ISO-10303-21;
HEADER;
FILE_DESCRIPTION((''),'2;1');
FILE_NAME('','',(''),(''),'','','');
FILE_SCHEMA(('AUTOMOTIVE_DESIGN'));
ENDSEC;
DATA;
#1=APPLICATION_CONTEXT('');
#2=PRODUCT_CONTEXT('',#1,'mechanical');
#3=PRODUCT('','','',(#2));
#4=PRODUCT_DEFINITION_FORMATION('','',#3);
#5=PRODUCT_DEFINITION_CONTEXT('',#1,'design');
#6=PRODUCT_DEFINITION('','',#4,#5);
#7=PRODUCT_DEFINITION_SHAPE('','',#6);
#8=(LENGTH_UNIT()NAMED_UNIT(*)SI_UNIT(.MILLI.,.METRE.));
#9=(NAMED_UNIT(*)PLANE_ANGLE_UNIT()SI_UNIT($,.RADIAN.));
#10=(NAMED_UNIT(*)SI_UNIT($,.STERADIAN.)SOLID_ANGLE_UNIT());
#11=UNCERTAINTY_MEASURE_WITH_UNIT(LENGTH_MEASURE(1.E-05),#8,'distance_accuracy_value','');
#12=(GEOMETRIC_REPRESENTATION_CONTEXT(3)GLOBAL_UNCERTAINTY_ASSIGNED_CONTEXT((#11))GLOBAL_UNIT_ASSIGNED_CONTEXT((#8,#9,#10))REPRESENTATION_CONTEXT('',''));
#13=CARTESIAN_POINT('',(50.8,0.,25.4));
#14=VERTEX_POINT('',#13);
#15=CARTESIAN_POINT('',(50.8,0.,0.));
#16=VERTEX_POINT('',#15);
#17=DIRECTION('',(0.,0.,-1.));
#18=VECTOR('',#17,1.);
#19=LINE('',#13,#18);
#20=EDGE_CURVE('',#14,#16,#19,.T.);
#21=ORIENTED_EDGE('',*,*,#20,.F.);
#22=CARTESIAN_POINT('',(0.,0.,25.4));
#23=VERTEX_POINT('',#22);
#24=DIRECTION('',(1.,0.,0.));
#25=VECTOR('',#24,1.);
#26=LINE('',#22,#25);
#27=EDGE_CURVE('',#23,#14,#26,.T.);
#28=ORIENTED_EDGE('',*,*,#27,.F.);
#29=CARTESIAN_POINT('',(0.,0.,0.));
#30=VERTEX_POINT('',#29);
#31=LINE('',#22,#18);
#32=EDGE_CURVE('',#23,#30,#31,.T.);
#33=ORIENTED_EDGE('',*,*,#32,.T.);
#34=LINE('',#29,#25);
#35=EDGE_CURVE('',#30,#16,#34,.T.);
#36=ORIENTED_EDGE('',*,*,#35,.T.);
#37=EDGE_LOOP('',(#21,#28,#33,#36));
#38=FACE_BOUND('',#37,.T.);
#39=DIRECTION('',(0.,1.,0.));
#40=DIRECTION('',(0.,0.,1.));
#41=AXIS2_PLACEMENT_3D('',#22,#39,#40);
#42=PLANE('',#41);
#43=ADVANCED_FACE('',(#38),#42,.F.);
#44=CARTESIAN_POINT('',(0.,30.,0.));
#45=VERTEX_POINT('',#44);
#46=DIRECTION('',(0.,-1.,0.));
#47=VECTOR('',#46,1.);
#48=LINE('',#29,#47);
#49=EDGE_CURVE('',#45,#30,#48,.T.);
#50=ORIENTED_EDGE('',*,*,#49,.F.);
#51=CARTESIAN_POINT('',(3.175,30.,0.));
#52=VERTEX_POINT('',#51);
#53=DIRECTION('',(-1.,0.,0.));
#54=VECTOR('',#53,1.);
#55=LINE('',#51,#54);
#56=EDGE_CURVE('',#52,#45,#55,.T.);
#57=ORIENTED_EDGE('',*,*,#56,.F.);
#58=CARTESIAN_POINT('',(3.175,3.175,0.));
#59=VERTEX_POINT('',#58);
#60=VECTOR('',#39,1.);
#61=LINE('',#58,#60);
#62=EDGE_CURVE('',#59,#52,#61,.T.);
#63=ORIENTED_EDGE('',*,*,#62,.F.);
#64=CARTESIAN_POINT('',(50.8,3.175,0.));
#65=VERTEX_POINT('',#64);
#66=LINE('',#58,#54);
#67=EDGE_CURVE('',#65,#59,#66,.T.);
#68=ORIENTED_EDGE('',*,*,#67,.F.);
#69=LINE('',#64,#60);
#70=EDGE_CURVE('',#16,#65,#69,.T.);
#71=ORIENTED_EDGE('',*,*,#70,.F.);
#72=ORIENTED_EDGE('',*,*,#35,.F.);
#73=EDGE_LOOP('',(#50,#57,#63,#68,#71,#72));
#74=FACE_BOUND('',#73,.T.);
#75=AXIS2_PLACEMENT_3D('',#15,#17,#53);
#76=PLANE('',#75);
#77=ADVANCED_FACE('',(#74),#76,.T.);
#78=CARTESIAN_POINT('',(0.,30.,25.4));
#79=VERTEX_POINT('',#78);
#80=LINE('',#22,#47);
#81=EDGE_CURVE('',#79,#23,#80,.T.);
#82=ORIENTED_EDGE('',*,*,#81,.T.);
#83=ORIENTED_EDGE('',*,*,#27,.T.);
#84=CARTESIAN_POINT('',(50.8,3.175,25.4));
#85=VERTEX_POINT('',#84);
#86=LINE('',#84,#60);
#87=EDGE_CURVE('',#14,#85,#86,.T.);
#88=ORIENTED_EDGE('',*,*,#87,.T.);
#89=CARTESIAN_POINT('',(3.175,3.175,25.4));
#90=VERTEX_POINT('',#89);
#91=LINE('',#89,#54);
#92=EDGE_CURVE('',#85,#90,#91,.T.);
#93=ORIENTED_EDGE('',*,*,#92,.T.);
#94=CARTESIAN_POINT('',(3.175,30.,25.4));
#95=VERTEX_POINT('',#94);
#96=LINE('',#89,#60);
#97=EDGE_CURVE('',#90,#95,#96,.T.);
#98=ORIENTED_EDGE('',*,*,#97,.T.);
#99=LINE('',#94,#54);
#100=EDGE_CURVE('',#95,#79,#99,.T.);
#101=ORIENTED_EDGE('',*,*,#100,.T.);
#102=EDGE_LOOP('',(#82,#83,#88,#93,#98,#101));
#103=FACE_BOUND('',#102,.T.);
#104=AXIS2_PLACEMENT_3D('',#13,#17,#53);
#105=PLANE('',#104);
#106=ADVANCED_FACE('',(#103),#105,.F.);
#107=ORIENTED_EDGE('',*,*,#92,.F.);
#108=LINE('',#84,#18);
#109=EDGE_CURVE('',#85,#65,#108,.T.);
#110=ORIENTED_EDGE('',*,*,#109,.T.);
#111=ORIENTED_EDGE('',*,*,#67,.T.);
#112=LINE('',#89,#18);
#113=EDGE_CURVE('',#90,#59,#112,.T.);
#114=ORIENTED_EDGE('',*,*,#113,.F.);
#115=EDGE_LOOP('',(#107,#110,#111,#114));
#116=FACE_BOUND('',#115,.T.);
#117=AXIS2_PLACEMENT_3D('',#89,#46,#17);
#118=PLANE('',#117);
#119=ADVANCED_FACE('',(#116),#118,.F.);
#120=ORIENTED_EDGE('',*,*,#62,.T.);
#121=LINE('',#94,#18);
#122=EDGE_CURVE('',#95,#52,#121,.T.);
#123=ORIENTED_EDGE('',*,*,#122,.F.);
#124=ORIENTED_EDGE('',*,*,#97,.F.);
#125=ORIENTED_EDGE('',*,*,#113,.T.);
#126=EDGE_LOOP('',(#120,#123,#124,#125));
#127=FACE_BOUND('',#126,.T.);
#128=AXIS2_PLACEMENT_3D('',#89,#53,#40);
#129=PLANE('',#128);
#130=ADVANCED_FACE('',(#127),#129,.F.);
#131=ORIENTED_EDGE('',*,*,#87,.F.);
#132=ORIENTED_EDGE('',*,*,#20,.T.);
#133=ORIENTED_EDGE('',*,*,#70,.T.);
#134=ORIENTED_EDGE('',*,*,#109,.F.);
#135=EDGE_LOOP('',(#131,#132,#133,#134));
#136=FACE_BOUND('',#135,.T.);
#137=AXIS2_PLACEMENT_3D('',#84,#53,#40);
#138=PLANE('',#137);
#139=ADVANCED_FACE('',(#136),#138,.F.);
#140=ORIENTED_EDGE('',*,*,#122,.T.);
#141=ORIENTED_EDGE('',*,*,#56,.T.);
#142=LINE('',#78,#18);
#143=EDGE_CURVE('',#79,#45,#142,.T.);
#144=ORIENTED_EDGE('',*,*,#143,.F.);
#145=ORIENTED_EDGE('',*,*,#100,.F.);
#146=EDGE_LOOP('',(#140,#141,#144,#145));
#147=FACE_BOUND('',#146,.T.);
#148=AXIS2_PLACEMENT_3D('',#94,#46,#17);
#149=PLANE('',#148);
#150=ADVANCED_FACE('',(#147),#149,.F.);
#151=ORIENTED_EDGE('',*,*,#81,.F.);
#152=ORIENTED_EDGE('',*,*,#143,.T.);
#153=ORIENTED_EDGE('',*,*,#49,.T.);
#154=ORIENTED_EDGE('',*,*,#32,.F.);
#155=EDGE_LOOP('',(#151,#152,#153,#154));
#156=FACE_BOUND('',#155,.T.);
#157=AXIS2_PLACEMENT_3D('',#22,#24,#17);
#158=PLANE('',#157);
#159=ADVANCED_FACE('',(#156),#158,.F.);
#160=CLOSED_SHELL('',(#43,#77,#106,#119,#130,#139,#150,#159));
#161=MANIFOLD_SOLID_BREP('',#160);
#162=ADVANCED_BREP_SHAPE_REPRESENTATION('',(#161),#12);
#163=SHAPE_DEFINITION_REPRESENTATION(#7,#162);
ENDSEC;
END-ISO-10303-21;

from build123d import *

# Parameters (mm, degrees)
BOSS_EXTRUDE1_DEPTH = 25.4


with BuildPart() as part:
    # Sketch1 → Boss-Extrude1 (new body)
    with BuildSketch(Plane.XY):
        Polygon((0, 0), (0, 30), (3.175, 30), (3.175, 3.175), (50.8, 3.175), (50.8, 0), align=None)
    extrude(amount=BOSS_EXTRUDE1_DEPTH)


solid = part.part
